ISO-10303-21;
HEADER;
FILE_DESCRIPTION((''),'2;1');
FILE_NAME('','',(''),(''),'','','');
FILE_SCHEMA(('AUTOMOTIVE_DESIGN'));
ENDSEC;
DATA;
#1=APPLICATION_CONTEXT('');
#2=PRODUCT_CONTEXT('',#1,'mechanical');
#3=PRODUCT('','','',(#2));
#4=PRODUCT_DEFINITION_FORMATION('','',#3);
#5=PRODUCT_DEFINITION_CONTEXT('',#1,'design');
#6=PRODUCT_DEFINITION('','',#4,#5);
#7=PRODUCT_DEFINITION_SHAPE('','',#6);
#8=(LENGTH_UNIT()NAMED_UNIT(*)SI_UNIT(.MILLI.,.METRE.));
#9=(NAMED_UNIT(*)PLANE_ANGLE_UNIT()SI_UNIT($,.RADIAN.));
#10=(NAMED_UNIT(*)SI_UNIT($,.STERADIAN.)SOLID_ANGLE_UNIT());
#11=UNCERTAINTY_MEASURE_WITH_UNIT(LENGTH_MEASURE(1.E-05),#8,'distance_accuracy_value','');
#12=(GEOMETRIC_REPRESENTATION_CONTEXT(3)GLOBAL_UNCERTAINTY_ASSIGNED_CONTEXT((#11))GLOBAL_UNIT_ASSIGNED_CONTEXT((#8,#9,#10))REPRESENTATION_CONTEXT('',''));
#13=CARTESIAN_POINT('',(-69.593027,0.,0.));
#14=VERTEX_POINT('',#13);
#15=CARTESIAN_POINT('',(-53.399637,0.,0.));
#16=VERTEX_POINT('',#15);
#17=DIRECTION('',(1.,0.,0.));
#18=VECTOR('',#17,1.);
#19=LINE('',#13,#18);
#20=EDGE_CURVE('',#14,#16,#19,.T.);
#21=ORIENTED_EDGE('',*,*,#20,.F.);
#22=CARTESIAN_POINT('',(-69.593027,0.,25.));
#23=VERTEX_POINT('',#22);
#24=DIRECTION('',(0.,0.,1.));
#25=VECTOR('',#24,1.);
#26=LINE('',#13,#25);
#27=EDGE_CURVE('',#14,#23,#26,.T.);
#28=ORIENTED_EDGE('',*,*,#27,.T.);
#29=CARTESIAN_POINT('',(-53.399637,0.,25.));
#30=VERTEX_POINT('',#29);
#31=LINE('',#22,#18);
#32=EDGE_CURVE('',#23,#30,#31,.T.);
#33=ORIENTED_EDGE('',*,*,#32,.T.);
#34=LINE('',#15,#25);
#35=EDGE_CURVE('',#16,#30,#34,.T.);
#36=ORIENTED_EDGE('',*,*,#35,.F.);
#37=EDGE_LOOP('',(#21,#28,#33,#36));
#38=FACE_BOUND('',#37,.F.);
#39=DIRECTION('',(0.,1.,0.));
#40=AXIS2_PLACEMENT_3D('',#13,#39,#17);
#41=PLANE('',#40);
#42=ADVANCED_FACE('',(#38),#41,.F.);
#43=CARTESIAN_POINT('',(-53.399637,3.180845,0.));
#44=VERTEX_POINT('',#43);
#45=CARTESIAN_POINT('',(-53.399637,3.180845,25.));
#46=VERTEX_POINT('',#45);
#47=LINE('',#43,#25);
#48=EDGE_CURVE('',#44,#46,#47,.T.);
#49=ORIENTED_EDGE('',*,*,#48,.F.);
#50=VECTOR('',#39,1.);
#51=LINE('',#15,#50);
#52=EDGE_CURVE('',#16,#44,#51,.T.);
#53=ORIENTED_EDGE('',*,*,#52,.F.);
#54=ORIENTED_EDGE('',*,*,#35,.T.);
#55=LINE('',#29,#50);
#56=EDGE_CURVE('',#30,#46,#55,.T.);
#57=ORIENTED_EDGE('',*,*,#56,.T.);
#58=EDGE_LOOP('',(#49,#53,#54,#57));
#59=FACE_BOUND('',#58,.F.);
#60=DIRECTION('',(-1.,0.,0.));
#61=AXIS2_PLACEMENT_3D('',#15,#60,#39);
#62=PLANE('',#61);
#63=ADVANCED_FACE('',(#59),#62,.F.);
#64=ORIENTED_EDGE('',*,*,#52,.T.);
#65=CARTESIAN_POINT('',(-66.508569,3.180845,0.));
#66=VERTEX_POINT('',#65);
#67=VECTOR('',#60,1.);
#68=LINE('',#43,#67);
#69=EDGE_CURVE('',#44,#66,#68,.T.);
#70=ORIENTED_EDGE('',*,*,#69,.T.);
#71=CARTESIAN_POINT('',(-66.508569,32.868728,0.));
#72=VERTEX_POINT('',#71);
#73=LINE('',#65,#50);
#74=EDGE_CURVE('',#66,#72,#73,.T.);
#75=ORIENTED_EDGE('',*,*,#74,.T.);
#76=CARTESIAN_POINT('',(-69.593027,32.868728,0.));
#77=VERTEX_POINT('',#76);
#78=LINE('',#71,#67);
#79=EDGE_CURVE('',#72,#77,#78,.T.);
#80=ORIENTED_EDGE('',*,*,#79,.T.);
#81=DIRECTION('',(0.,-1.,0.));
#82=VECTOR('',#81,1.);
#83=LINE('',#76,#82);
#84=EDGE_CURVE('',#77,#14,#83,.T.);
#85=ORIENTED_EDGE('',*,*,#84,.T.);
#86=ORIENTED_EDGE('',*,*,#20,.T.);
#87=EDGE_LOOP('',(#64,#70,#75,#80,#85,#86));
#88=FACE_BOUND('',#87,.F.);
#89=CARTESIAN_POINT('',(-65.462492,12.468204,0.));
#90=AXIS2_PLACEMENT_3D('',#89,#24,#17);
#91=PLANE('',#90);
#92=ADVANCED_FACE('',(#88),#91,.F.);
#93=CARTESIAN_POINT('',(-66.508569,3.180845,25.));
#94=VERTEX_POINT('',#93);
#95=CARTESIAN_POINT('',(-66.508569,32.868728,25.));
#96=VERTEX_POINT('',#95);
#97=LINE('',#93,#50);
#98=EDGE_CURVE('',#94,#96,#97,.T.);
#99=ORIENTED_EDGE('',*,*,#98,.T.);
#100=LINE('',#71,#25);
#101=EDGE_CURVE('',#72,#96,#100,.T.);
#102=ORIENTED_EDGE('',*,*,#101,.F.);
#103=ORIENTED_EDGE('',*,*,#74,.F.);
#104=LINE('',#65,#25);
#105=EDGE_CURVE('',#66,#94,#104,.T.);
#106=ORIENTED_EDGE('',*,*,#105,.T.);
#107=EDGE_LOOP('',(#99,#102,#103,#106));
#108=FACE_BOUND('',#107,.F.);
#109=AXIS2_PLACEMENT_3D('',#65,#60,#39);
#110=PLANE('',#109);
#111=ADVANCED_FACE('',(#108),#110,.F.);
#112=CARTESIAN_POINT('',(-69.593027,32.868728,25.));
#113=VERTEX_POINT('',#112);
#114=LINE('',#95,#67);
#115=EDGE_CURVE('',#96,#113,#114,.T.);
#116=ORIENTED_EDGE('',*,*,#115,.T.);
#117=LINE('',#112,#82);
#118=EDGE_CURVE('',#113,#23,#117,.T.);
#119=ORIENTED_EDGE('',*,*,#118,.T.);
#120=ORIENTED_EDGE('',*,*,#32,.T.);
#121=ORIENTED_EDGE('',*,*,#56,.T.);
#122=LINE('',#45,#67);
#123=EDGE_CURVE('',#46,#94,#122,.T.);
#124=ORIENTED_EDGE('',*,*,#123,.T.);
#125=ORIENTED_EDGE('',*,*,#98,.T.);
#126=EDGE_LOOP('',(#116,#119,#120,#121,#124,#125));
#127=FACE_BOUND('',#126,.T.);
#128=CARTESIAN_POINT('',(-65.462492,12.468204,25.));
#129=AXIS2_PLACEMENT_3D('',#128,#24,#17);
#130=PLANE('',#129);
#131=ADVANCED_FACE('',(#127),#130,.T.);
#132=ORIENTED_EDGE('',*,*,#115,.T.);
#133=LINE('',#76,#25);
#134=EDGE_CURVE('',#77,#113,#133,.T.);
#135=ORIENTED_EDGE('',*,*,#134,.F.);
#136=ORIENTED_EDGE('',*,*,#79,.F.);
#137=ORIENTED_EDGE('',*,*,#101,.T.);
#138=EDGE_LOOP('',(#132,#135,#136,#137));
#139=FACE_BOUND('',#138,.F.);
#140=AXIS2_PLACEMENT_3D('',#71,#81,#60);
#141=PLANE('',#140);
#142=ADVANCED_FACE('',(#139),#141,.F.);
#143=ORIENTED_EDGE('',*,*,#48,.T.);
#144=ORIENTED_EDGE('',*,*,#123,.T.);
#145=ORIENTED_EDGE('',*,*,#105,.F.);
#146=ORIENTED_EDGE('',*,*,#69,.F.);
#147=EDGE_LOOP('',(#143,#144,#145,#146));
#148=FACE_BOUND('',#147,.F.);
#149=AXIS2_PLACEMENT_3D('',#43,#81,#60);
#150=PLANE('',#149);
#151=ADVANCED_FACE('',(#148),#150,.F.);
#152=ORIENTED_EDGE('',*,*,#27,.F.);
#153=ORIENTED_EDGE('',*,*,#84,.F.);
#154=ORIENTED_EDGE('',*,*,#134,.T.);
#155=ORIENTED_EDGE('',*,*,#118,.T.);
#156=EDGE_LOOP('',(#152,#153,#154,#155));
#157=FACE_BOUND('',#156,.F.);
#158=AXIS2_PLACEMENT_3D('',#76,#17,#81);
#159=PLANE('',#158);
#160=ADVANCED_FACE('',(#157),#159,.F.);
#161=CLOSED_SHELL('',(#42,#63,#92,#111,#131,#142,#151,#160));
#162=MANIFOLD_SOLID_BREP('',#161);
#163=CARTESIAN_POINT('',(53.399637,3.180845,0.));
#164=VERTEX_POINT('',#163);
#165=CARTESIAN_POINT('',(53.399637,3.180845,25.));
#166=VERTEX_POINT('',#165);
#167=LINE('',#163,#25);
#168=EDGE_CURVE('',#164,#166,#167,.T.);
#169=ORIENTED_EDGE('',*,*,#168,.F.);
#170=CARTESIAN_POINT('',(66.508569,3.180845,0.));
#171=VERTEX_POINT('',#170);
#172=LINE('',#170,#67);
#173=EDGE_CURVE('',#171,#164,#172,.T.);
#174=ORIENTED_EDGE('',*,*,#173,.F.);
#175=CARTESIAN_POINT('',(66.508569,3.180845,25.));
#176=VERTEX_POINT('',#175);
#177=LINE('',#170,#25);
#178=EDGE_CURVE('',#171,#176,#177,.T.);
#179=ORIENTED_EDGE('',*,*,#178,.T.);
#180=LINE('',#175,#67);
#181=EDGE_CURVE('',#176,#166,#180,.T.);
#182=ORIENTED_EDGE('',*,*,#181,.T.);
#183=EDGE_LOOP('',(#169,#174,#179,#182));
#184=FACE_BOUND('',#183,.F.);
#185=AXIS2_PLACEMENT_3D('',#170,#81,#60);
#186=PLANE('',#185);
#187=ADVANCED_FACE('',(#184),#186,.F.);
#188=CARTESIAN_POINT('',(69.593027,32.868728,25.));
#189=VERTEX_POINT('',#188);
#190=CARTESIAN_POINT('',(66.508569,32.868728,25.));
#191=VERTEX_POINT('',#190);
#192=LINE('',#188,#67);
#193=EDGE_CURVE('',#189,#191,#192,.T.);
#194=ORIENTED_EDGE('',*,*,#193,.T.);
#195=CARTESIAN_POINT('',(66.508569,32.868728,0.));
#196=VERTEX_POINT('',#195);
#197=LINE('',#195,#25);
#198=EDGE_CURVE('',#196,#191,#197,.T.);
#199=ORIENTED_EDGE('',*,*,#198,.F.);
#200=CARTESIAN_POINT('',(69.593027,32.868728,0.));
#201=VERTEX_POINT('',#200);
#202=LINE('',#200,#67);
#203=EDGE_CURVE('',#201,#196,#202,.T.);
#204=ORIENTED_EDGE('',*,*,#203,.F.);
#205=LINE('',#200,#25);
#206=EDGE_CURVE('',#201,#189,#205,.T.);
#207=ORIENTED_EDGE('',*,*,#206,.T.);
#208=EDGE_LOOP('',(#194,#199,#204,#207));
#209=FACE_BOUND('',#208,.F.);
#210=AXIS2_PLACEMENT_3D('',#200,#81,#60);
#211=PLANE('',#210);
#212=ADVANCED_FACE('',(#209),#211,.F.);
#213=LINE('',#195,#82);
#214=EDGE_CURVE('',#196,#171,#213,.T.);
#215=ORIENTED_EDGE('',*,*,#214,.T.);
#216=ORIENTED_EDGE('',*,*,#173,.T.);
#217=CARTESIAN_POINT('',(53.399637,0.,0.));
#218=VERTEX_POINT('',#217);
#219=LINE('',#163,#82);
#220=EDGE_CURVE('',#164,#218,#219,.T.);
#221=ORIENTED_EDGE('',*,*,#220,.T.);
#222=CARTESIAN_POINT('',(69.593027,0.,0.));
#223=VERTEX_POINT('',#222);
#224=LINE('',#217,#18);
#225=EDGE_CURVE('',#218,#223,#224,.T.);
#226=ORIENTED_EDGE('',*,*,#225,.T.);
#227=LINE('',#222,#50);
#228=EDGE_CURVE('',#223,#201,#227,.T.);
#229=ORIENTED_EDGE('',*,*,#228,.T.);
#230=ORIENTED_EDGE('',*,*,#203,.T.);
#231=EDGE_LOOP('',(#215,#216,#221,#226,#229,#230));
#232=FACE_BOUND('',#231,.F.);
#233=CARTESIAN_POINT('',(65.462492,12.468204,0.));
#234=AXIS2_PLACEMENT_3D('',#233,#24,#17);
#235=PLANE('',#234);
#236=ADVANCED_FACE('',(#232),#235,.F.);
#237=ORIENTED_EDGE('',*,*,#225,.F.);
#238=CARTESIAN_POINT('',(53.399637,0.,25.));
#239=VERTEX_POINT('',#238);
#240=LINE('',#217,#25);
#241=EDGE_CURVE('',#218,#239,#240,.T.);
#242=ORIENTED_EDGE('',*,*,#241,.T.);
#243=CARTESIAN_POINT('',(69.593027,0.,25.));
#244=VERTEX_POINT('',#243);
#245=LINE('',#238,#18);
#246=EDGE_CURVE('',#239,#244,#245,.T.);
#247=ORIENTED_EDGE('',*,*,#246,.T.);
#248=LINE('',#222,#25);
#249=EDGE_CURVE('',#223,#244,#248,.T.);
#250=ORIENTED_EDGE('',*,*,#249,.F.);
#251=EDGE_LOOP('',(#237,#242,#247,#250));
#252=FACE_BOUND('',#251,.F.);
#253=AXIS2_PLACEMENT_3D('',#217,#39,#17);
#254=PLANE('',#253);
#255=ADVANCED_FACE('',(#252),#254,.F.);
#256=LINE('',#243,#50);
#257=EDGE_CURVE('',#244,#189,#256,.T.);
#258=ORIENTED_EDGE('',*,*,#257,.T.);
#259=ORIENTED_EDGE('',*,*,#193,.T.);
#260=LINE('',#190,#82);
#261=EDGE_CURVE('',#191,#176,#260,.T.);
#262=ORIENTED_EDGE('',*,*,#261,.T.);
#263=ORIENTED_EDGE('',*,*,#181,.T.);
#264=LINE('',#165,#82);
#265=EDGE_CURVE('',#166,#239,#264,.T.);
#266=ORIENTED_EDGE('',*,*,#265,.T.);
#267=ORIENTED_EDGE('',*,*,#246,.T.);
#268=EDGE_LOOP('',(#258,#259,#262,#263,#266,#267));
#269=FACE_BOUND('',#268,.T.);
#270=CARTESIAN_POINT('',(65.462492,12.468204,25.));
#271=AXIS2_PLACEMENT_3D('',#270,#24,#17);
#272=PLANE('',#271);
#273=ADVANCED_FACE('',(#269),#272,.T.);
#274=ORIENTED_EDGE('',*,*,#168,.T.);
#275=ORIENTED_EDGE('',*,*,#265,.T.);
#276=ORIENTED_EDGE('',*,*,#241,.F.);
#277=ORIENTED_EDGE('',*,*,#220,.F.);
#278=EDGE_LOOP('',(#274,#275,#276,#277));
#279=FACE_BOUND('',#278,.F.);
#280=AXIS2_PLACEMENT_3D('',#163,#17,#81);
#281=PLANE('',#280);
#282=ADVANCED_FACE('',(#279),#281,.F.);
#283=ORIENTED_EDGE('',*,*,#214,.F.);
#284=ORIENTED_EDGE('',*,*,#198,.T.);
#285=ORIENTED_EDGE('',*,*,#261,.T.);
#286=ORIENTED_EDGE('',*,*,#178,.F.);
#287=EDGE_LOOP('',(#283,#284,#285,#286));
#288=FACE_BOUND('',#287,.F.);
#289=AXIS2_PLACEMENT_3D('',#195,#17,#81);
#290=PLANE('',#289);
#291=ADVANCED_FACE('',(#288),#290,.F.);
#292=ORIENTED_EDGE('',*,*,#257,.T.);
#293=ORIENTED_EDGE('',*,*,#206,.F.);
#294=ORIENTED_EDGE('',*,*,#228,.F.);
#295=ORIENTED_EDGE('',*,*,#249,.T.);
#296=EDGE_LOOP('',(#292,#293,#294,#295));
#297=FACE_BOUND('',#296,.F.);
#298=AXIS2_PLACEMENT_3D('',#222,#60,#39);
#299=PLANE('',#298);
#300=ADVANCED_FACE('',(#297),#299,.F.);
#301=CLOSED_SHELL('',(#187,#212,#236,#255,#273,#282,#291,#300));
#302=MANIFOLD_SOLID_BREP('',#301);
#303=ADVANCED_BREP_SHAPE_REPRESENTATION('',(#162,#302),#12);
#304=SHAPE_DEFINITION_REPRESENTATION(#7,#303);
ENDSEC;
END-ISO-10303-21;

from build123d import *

# Parameters (mm, degrees)
F1_DEPTH = 25
F2_DEPTH = 25


with BuildPart() as f1:
    # F0 (on Top) → F1 (new body)
    with BuildSketch(Plane.XY):
        Polygon((-69.593027, 32.868728), (-69.593027, 0), (-53.399637, 0), (-53.399637, 3.180845), (-66.508569, 3.180845), (-66.508569, 26.121482), (-66.508569, 29.591495), (-66.508569, 32.868728), align=None)
    extrude(amount=F1_DEPTH)


with BuildPart() as f2:
    # F0 (on Top) → F2 (new body)
    with BuildSketch(Plane.XY):
        Polygon((69.593027, 32.868728), (66.508569, 32.868728), (66.508569, 29.398715), (66.508569, 26.121482), (66.508569, 3.180845), (53.399637, 3.180845), (53.399637, 0), (69.593027, 0), align=None)
    extrude(amount=F2_DEPTH)


solid = Compound([f1.part, f2.part])
